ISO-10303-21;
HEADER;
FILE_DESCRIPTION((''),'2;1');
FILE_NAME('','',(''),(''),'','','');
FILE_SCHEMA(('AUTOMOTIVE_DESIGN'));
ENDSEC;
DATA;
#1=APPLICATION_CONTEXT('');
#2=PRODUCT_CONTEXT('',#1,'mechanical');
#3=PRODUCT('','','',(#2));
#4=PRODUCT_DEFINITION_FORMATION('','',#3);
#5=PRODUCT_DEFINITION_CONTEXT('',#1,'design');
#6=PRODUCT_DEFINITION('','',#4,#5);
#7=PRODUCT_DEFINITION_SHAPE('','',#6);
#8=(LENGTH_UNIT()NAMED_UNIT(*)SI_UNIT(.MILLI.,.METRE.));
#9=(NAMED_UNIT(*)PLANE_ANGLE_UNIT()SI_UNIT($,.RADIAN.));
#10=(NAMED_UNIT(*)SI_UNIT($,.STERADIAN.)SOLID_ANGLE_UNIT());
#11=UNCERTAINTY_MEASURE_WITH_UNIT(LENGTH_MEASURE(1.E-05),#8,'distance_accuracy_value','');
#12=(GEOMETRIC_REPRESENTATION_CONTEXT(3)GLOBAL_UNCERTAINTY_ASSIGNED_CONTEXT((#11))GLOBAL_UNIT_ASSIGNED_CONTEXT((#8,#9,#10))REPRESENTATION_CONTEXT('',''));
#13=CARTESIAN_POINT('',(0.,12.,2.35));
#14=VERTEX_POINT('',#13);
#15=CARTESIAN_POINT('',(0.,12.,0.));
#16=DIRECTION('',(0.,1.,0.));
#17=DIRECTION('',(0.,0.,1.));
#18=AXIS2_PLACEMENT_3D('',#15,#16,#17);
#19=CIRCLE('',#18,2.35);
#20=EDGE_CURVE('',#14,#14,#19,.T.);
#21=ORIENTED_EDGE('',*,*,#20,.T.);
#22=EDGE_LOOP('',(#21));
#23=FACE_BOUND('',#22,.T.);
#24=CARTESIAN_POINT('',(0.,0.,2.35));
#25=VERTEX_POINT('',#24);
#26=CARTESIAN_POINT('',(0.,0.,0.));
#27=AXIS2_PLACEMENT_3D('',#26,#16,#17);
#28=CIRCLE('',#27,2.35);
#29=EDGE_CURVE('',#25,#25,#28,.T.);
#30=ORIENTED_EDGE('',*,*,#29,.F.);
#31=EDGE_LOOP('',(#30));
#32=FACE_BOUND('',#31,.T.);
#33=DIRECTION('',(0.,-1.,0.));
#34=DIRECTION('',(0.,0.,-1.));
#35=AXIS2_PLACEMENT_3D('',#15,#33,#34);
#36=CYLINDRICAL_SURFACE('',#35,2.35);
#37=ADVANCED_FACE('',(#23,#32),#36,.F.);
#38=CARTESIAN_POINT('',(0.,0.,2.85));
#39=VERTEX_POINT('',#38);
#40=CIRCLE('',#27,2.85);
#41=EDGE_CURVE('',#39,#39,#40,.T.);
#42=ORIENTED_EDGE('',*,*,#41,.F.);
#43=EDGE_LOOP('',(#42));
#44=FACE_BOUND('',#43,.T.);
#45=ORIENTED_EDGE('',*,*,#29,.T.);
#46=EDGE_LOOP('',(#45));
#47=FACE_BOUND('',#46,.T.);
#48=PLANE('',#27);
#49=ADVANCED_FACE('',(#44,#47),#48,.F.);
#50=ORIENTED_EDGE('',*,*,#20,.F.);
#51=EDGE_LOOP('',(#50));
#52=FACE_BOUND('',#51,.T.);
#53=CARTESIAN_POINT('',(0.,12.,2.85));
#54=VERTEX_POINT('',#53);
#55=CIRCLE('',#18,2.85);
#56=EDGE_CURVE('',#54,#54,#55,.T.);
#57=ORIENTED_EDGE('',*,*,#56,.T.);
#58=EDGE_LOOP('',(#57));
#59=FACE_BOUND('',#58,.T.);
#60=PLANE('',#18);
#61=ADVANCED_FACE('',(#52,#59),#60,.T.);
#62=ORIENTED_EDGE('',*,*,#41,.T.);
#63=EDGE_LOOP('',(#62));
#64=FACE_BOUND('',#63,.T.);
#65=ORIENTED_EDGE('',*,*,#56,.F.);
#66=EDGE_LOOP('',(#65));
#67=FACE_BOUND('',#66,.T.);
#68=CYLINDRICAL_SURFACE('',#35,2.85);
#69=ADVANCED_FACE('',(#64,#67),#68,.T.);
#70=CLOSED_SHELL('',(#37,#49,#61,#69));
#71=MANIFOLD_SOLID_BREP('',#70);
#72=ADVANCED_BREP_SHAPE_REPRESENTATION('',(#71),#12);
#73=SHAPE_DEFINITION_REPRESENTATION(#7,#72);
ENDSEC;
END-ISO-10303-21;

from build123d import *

# Parameters (mm, degrees)
ESQUISSE1_R        = 2.85
ESQUISSE1_R_2      = 2.35
BOSS_EXTRU_1_DEPTH = 12


with BuildPart() as part:
    # Esquisse1 → Boss.-Extru.1 (new body)
    with BuildSketch(Plane(origin=(0, 0, 0), x_dir=(1, 0, 0), z_dir=(0, 1, 0))):
        Circle(ESQUISSE1_R)
        Circle(ESQUISSE1_R_2, mode=Mode.SUBTRACT)
    extrude(amount=BOSS_EXTRU_1_DEPTH)


solid = part.part
